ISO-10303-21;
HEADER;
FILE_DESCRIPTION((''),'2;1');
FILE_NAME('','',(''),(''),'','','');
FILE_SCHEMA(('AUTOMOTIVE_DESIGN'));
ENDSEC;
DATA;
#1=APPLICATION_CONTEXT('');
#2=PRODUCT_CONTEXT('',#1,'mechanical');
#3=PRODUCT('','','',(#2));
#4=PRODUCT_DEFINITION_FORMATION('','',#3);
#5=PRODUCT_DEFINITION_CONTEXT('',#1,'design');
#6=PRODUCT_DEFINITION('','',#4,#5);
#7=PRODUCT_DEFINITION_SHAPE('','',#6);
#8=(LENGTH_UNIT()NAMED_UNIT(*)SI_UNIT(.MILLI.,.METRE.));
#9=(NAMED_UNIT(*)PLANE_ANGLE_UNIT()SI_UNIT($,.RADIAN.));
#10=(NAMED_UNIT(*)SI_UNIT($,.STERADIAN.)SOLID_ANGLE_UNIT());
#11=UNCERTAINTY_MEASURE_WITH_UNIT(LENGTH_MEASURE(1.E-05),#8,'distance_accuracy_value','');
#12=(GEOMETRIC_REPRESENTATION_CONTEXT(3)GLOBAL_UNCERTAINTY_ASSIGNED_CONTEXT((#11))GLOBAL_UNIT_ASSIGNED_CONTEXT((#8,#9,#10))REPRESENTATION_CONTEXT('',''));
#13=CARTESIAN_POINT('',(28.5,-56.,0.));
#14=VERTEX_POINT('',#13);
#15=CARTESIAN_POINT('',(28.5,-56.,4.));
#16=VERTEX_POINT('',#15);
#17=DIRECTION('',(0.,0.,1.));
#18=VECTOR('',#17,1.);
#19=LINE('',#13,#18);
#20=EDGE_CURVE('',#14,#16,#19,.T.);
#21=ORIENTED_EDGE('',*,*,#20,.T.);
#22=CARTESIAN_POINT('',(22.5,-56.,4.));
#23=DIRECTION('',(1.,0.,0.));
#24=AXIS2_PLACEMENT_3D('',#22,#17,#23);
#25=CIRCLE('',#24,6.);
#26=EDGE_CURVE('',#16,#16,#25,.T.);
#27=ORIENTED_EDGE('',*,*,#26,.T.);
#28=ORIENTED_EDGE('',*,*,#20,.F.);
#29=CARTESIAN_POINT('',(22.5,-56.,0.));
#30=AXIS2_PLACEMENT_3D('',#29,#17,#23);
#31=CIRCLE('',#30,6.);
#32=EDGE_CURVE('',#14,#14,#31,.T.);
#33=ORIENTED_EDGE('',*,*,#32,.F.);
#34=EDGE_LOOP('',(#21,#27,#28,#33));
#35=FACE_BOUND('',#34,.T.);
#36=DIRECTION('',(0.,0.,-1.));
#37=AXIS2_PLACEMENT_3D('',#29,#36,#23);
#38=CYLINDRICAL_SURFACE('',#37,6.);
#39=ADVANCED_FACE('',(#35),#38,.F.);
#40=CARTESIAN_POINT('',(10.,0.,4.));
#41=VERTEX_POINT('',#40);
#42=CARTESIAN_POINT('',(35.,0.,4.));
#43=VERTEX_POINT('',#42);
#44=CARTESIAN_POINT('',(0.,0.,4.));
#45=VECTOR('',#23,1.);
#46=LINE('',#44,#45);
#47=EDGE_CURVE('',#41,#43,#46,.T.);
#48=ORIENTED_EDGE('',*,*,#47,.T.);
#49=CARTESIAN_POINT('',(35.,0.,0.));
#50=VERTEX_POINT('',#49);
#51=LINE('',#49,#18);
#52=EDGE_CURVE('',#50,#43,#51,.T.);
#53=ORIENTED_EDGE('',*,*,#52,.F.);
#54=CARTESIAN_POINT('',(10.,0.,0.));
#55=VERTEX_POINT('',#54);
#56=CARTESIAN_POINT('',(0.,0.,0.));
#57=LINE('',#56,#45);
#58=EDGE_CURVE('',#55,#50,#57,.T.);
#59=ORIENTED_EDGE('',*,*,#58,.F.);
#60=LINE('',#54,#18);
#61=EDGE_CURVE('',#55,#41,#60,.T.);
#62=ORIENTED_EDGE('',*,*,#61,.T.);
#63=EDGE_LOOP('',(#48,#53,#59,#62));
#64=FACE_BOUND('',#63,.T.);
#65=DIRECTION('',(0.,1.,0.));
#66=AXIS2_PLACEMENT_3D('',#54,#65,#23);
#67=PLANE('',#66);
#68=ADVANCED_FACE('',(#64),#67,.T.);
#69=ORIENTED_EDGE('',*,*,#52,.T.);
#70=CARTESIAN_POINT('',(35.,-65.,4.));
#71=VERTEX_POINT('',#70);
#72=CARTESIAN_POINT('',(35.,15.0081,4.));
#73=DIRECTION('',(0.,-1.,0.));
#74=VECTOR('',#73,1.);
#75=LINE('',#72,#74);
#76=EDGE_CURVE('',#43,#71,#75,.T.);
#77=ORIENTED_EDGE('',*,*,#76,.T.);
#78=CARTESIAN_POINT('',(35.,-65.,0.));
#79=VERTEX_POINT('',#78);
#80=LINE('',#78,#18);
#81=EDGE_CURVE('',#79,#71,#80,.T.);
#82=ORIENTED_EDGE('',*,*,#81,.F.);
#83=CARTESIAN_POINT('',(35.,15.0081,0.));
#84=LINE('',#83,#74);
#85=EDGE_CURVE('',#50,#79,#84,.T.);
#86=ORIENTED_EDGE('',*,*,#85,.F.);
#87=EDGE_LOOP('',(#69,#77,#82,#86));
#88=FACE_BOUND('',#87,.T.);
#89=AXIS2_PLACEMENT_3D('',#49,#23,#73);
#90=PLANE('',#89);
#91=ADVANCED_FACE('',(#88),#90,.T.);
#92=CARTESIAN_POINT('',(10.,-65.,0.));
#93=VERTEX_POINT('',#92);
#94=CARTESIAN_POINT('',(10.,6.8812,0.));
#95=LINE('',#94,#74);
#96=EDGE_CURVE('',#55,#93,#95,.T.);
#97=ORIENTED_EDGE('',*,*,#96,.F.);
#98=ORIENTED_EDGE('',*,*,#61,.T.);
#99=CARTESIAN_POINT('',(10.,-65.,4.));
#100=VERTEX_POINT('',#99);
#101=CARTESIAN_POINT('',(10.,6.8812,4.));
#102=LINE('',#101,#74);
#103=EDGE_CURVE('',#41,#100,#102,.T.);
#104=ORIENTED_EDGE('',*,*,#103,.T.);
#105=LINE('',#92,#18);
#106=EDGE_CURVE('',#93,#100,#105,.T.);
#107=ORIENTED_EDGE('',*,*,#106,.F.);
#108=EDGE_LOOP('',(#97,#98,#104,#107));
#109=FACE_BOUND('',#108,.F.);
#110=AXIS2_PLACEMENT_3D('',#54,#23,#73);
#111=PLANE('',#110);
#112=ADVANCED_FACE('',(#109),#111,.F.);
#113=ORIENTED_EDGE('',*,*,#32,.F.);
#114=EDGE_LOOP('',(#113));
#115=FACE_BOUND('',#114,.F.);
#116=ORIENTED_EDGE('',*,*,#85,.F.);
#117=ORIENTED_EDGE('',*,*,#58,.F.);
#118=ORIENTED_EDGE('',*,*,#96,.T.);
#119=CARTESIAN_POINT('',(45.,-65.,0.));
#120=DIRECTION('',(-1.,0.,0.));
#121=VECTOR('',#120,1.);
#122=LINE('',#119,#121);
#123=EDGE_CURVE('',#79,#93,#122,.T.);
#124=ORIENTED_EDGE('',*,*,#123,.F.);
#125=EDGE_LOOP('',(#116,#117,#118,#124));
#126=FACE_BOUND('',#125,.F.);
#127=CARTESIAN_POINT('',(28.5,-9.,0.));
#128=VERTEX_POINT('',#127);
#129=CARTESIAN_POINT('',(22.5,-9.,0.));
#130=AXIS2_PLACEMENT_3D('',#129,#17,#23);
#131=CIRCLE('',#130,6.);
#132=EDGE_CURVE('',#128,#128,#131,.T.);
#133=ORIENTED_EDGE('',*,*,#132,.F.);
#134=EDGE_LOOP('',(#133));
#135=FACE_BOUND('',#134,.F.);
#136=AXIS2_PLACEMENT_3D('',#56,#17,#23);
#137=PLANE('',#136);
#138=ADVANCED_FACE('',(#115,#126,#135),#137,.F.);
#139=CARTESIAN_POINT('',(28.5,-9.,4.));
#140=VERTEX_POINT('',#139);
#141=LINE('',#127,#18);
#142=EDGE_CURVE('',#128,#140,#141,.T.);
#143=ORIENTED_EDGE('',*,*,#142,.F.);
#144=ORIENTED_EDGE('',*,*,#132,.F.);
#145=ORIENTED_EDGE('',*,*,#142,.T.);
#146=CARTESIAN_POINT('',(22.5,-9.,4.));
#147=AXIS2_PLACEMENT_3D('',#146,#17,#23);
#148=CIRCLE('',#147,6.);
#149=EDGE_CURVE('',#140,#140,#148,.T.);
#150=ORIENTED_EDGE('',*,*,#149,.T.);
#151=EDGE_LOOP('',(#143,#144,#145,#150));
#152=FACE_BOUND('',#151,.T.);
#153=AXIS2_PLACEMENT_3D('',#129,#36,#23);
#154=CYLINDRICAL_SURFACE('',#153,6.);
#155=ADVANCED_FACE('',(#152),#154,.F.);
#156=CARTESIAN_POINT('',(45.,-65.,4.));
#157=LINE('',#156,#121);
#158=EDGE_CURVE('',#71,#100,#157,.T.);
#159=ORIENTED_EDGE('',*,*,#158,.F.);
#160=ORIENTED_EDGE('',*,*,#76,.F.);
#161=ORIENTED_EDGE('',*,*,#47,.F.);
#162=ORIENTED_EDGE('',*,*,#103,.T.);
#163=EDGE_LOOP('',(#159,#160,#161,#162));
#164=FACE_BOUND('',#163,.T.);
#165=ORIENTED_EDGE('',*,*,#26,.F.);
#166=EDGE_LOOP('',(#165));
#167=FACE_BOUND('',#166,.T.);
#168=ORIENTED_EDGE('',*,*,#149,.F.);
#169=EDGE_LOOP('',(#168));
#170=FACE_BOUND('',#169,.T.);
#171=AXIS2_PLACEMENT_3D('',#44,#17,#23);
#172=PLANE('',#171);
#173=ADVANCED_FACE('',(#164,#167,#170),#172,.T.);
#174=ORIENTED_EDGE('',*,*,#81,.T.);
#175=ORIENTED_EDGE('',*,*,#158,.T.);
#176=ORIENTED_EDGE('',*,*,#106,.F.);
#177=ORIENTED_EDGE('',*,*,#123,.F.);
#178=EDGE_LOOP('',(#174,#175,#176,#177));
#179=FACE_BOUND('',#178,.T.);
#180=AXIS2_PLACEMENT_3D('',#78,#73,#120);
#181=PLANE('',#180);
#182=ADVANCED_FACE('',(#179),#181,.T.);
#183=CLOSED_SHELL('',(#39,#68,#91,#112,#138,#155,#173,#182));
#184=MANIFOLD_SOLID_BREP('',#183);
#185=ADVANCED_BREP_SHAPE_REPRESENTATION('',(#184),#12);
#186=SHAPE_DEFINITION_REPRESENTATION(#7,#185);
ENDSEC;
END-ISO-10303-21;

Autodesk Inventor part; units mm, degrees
ref_plane "YZ Plane" through (0, 0, 0) normal (1, 0, 0) x (0, 1, 0)
ref_plane "XZ Plane" through (0, 0, 0) normal (0, 1, 0) x (-1, 0, 0)
ref_plane "XY Plane" through (0, 0, 0) normal (0, 0, 1) x (1, 0, 0)
sketch "Sketch1" plane through (0, 0, 0) normal (0, 0, 1) x (1, 0, 0)
  line L0 (0, 0) -> (45, 0)
  line L1 (45, 0) -> (45, -65)
  line L2 (45, -65) -> (0, -65)
  line L3 (0, -65) -> (0, 0)
  line L4 (45, 15.0081) -> (45, -81.3497) construction
  line L5 (22.5, 15.0081) -> (22.5, -81.3497) construction
  line L6 (80.9794, 0) -> (-24.1636, 0) construction
  line L7 (80.9794, -9) -> (-24.1636, -9) construction
  circle A0 centre (22.5, -9) radius 6
  line L8 (91.2527, -65) -> (-31.7655, -65) construction
  line L9 (91.2527, -56) -> (-31.7655, -56) construction
  circle A1 centre (22.5, -56) radius 6
  line L10 (0, 6.8812) -> (0, -100.7793) construction
  line L11 (10, 6.8812) -> (10, -100.7793)
  line L12 (35, 15.0081) -> (35, -81.3497)
  point P0 (35, -65)
  point P1 (35, 0)
  point P2 (10, 0)
  point P3 (10, -65)
  dimension "d0" = 45
  dimension "d1" = 65
  dimension "d2" = 22.5
  dimension "d3" = 9
  dimension "d4" = 12
  dimension "d5" = 9
  dimension "d6" = 12
  dimension "d9" = 10
  dimension "d10" = 10
extrude "Extrusion2" add sketch "Sketch1" along normal blind 4 contours L0 L12 L2 L11
properties part number "Hook-Extension" material "Steel, Mild"
